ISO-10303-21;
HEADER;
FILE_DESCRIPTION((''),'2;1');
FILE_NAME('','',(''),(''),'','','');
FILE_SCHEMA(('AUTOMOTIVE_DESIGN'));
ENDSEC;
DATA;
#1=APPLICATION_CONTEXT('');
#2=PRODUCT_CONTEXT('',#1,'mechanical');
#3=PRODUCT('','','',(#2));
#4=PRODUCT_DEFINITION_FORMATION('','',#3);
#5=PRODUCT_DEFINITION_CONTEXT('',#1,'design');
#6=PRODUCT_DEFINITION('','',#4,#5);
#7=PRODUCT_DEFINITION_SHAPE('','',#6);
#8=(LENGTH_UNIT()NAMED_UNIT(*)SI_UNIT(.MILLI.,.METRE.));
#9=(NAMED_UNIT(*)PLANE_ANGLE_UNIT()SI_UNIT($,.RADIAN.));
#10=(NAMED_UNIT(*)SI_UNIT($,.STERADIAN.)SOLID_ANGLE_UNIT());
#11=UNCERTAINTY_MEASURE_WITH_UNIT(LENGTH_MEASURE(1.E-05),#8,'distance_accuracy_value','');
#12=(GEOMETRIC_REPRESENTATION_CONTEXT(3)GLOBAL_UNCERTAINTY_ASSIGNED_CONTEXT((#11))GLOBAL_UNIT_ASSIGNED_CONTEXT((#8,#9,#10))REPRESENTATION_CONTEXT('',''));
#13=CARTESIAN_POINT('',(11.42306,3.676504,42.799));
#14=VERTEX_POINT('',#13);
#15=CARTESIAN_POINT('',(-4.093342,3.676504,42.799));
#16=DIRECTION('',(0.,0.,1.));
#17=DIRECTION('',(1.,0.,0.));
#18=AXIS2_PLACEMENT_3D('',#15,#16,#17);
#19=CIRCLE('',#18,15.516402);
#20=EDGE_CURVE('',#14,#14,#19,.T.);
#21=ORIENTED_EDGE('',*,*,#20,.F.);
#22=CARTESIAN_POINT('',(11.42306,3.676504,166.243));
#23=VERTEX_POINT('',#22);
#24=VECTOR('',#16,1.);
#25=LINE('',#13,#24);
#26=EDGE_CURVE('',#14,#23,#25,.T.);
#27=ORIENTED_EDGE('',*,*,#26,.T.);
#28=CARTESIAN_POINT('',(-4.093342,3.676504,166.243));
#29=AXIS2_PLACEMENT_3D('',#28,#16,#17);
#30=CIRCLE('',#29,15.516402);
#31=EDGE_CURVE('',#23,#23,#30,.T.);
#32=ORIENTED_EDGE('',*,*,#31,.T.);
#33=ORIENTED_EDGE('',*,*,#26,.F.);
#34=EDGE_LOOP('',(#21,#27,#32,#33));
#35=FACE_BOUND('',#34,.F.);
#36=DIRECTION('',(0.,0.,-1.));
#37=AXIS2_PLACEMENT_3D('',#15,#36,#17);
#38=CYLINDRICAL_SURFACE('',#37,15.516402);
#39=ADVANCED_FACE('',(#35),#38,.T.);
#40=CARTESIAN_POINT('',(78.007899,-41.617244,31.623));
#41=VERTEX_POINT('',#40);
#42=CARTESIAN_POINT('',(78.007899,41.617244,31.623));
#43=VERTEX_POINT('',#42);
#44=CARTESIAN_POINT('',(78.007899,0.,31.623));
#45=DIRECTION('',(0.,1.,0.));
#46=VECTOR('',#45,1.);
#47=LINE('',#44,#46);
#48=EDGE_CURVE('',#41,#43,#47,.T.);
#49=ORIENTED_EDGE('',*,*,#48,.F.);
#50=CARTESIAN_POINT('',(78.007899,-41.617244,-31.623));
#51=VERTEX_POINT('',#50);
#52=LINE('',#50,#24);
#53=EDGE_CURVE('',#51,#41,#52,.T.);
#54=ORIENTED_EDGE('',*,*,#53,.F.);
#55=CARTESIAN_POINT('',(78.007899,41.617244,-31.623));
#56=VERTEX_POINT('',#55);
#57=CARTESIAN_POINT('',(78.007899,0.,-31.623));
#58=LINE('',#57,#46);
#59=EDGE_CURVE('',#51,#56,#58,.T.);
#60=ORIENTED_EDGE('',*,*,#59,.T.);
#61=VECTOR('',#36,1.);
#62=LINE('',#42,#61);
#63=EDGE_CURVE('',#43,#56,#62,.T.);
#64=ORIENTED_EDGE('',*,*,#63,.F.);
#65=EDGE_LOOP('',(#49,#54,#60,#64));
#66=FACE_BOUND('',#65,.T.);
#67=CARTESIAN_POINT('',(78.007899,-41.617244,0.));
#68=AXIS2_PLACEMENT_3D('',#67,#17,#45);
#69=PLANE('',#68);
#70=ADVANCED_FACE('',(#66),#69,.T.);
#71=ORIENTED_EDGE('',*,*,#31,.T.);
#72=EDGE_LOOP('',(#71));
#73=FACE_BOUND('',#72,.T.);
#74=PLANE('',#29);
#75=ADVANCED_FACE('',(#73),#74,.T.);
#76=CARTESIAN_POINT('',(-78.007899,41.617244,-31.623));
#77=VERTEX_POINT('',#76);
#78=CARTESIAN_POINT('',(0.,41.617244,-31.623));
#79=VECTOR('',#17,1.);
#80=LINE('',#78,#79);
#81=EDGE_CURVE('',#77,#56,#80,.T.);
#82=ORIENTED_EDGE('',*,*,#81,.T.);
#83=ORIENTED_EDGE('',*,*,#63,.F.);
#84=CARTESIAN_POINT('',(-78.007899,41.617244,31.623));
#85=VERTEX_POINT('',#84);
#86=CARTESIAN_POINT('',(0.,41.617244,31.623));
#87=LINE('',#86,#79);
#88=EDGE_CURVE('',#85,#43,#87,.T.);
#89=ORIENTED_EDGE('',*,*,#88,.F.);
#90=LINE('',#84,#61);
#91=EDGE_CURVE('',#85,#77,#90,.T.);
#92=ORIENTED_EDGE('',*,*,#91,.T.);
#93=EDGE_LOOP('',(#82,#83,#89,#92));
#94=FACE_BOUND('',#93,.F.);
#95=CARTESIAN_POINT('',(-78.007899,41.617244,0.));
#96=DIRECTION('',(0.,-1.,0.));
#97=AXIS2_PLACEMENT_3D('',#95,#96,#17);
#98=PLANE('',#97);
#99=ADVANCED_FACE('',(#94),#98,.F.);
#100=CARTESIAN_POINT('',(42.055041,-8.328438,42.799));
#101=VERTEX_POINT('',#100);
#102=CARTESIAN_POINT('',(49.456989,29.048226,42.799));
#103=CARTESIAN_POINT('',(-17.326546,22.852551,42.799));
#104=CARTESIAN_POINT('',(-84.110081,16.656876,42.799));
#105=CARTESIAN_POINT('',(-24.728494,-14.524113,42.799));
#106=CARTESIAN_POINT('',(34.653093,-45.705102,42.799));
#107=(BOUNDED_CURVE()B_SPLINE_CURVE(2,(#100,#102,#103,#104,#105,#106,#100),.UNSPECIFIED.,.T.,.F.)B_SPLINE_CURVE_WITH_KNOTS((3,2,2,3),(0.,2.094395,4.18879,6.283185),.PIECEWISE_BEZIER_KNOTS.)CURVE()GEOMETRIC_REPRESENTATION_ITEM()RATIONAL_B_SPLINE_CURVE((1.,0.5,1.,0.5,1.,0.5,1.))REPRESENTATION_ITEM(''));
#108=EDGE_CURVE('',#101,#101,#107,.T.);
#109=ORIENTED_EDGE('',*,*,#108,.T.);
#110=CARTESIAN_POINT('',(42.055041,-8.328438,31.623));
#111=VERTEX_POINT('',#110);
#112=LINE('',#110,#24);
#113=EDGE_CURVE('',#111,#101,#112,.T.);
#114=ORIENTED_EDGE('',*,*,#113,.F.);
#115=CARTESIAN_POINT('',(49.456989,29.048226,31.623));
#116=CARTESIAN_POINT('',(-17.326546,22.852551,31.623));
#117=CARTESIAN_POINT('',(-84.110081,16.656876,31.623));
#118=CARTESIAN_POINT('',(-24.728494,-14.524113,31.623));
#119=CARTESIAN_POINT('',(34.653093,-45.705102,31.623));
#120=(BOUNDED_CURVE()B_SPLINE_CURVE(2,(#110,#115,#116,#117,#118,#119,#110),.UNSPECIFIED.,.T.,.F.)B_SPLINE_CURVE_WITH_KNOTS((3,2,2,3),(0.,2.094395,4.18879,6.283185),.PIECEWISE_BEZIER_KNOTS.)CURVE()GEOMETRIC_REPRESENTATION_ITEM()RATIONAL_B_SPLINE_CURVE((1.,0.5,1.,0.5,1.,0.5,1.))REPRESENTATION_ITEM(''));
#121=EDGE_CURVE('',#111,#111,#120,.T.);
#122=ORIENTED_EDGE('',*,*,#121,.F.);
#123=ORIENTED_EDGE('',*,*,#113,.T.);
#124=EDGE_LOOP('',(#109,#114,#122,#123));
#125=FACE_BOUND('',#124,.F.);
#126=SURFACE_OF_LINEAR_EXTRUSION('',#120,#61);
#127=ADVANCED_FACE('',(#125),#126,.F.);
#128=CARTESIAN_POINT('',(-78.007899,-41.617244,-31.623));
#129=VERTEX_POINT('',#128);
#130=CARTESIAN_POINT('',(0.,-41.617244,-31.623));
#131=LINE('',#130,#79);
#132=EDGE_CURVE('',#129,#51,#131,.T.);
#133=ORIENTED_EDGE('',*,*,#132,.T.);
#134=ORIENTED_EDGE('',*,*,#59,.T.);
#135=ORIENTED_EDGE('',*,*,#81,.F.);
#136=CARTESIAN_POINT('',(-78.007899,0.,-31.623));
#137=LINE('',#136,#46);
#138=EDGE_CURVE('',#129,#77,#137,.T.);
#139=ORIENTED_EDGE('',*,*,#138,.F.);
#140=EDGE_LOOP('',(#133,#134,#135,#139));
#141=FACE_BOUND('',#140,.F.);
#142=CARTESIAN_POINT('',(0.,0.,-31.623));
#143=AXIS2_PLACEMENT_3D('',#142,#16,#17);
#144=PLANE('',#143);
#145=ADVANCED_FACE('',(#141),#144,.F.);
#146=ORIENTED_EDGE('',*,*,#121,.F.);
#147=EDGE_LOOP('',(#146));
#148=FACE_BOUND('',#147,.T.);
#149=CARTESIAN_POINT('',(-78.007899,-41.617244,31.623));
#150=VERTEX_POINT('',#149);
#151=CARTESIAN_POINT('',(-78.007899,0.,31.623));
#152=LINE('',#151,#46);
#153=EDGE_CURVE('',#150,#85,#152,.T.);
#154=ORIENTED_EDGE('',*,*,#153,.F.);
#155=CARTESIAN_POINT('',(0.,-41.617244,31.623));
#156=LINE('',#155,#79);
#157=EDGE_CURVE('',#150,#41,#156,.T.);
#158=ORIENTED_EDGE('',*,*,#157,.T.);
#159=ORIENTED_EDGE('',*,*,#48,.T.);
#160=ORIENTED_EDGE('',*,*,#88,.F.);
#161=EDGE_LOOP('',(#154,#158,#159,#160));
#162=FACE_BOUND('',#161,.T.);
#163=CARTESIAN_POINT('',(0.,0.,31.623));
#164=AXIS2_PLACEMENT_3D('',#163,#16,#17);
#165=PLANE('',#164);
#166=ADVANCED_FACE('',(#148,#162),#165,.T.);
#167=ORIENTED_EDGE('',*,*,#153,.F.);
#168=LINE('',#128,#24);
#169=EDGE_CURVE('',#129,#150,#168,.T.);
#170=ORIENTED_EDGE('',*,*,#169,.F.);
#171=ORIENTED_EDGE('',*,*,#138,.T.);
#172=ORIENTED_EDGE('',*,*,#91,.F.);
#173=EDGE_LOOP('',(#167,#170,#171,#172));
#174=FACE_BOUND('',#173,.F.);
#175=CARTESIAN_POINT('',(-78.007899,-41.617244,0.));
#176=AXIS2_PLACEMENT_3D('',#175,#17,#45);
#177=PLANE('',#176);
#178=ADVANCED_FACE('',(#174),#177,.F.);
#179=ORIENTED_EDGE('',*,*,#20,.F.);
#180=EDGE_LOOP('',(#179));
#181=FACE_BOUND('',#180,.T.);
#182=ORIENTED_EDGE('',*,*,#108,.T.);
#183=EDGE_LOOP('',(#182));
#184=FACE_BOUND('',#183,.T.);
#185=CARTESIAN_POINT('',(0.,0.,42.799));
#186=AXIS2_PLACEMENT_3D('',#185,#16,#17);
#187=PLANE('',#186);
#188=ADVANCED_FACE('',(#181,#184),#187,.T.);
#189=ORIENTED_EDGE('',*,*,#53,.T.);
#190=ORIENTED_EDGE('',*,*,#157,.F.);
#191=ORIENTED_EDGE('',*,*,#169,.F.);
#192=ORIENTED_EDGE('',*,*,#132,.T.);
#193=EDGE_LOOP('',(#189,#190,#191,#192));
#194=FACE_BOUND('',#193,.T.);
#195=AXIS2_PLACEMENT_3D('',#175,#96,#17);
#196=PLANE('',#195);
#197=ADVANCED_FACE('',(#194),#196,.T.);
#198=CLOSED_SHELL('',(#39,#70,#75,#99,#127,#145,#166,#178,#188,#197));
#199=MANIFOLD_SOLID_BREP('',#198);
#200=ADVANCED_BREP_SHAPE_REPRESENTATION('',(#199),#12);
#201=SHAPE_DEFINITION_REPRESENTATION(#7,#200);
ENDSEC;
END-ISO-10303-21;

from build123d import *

# Parameters (mm, degrees)
F0_W     = 156.015798
F0_H     = 83.234488
F1_DEPTH = 31.623
F3_DEPTH = 11.176
F4_R     = 15.516402
F5_DEPTH = 123.444


with BuildPart() as f1:
    # F0 (on Top) → F1 (new body, symmetric)
    with BuildSketch(Plane.XY):
        Rectangle(F0_W, F0_H)
    extrude(amount=F1_DEPTH, both=True)

    # F2 (on face) → F3 (join)
    with BuildSketch(Plane.XY.offset(31.623)):
        with BuildLine():
            add(Edge.make_bspline(
                [(42.055041, -8.328438), (49.456989, 29.048226), (-17.326546, 22.852551), (-84.110081, 16.656876), (-24.728494, -14.524113), (34.653093, -45.705102), (42.055041, -8.328438)],
                knots=[0, 0, 0, 2.094395, 2.094395, 4.18879, 4.18879, 6.283185, 6.283185, 6.283185], degree=2, weights=[1, 0.5, 1, 0.5, 1, 0.5, 1]))
        make_face()
    extrude(amount=F3_DEPTH)

    # F4 (on face) → F5 (join)
    with BuildSketch(Plane.XY.offset(42.799)):
        with Locations((-4.093342, 3.676504)):
            Circle(F4_R)
    extrude(amount=F5_DEPTH)


solid = f1.part
